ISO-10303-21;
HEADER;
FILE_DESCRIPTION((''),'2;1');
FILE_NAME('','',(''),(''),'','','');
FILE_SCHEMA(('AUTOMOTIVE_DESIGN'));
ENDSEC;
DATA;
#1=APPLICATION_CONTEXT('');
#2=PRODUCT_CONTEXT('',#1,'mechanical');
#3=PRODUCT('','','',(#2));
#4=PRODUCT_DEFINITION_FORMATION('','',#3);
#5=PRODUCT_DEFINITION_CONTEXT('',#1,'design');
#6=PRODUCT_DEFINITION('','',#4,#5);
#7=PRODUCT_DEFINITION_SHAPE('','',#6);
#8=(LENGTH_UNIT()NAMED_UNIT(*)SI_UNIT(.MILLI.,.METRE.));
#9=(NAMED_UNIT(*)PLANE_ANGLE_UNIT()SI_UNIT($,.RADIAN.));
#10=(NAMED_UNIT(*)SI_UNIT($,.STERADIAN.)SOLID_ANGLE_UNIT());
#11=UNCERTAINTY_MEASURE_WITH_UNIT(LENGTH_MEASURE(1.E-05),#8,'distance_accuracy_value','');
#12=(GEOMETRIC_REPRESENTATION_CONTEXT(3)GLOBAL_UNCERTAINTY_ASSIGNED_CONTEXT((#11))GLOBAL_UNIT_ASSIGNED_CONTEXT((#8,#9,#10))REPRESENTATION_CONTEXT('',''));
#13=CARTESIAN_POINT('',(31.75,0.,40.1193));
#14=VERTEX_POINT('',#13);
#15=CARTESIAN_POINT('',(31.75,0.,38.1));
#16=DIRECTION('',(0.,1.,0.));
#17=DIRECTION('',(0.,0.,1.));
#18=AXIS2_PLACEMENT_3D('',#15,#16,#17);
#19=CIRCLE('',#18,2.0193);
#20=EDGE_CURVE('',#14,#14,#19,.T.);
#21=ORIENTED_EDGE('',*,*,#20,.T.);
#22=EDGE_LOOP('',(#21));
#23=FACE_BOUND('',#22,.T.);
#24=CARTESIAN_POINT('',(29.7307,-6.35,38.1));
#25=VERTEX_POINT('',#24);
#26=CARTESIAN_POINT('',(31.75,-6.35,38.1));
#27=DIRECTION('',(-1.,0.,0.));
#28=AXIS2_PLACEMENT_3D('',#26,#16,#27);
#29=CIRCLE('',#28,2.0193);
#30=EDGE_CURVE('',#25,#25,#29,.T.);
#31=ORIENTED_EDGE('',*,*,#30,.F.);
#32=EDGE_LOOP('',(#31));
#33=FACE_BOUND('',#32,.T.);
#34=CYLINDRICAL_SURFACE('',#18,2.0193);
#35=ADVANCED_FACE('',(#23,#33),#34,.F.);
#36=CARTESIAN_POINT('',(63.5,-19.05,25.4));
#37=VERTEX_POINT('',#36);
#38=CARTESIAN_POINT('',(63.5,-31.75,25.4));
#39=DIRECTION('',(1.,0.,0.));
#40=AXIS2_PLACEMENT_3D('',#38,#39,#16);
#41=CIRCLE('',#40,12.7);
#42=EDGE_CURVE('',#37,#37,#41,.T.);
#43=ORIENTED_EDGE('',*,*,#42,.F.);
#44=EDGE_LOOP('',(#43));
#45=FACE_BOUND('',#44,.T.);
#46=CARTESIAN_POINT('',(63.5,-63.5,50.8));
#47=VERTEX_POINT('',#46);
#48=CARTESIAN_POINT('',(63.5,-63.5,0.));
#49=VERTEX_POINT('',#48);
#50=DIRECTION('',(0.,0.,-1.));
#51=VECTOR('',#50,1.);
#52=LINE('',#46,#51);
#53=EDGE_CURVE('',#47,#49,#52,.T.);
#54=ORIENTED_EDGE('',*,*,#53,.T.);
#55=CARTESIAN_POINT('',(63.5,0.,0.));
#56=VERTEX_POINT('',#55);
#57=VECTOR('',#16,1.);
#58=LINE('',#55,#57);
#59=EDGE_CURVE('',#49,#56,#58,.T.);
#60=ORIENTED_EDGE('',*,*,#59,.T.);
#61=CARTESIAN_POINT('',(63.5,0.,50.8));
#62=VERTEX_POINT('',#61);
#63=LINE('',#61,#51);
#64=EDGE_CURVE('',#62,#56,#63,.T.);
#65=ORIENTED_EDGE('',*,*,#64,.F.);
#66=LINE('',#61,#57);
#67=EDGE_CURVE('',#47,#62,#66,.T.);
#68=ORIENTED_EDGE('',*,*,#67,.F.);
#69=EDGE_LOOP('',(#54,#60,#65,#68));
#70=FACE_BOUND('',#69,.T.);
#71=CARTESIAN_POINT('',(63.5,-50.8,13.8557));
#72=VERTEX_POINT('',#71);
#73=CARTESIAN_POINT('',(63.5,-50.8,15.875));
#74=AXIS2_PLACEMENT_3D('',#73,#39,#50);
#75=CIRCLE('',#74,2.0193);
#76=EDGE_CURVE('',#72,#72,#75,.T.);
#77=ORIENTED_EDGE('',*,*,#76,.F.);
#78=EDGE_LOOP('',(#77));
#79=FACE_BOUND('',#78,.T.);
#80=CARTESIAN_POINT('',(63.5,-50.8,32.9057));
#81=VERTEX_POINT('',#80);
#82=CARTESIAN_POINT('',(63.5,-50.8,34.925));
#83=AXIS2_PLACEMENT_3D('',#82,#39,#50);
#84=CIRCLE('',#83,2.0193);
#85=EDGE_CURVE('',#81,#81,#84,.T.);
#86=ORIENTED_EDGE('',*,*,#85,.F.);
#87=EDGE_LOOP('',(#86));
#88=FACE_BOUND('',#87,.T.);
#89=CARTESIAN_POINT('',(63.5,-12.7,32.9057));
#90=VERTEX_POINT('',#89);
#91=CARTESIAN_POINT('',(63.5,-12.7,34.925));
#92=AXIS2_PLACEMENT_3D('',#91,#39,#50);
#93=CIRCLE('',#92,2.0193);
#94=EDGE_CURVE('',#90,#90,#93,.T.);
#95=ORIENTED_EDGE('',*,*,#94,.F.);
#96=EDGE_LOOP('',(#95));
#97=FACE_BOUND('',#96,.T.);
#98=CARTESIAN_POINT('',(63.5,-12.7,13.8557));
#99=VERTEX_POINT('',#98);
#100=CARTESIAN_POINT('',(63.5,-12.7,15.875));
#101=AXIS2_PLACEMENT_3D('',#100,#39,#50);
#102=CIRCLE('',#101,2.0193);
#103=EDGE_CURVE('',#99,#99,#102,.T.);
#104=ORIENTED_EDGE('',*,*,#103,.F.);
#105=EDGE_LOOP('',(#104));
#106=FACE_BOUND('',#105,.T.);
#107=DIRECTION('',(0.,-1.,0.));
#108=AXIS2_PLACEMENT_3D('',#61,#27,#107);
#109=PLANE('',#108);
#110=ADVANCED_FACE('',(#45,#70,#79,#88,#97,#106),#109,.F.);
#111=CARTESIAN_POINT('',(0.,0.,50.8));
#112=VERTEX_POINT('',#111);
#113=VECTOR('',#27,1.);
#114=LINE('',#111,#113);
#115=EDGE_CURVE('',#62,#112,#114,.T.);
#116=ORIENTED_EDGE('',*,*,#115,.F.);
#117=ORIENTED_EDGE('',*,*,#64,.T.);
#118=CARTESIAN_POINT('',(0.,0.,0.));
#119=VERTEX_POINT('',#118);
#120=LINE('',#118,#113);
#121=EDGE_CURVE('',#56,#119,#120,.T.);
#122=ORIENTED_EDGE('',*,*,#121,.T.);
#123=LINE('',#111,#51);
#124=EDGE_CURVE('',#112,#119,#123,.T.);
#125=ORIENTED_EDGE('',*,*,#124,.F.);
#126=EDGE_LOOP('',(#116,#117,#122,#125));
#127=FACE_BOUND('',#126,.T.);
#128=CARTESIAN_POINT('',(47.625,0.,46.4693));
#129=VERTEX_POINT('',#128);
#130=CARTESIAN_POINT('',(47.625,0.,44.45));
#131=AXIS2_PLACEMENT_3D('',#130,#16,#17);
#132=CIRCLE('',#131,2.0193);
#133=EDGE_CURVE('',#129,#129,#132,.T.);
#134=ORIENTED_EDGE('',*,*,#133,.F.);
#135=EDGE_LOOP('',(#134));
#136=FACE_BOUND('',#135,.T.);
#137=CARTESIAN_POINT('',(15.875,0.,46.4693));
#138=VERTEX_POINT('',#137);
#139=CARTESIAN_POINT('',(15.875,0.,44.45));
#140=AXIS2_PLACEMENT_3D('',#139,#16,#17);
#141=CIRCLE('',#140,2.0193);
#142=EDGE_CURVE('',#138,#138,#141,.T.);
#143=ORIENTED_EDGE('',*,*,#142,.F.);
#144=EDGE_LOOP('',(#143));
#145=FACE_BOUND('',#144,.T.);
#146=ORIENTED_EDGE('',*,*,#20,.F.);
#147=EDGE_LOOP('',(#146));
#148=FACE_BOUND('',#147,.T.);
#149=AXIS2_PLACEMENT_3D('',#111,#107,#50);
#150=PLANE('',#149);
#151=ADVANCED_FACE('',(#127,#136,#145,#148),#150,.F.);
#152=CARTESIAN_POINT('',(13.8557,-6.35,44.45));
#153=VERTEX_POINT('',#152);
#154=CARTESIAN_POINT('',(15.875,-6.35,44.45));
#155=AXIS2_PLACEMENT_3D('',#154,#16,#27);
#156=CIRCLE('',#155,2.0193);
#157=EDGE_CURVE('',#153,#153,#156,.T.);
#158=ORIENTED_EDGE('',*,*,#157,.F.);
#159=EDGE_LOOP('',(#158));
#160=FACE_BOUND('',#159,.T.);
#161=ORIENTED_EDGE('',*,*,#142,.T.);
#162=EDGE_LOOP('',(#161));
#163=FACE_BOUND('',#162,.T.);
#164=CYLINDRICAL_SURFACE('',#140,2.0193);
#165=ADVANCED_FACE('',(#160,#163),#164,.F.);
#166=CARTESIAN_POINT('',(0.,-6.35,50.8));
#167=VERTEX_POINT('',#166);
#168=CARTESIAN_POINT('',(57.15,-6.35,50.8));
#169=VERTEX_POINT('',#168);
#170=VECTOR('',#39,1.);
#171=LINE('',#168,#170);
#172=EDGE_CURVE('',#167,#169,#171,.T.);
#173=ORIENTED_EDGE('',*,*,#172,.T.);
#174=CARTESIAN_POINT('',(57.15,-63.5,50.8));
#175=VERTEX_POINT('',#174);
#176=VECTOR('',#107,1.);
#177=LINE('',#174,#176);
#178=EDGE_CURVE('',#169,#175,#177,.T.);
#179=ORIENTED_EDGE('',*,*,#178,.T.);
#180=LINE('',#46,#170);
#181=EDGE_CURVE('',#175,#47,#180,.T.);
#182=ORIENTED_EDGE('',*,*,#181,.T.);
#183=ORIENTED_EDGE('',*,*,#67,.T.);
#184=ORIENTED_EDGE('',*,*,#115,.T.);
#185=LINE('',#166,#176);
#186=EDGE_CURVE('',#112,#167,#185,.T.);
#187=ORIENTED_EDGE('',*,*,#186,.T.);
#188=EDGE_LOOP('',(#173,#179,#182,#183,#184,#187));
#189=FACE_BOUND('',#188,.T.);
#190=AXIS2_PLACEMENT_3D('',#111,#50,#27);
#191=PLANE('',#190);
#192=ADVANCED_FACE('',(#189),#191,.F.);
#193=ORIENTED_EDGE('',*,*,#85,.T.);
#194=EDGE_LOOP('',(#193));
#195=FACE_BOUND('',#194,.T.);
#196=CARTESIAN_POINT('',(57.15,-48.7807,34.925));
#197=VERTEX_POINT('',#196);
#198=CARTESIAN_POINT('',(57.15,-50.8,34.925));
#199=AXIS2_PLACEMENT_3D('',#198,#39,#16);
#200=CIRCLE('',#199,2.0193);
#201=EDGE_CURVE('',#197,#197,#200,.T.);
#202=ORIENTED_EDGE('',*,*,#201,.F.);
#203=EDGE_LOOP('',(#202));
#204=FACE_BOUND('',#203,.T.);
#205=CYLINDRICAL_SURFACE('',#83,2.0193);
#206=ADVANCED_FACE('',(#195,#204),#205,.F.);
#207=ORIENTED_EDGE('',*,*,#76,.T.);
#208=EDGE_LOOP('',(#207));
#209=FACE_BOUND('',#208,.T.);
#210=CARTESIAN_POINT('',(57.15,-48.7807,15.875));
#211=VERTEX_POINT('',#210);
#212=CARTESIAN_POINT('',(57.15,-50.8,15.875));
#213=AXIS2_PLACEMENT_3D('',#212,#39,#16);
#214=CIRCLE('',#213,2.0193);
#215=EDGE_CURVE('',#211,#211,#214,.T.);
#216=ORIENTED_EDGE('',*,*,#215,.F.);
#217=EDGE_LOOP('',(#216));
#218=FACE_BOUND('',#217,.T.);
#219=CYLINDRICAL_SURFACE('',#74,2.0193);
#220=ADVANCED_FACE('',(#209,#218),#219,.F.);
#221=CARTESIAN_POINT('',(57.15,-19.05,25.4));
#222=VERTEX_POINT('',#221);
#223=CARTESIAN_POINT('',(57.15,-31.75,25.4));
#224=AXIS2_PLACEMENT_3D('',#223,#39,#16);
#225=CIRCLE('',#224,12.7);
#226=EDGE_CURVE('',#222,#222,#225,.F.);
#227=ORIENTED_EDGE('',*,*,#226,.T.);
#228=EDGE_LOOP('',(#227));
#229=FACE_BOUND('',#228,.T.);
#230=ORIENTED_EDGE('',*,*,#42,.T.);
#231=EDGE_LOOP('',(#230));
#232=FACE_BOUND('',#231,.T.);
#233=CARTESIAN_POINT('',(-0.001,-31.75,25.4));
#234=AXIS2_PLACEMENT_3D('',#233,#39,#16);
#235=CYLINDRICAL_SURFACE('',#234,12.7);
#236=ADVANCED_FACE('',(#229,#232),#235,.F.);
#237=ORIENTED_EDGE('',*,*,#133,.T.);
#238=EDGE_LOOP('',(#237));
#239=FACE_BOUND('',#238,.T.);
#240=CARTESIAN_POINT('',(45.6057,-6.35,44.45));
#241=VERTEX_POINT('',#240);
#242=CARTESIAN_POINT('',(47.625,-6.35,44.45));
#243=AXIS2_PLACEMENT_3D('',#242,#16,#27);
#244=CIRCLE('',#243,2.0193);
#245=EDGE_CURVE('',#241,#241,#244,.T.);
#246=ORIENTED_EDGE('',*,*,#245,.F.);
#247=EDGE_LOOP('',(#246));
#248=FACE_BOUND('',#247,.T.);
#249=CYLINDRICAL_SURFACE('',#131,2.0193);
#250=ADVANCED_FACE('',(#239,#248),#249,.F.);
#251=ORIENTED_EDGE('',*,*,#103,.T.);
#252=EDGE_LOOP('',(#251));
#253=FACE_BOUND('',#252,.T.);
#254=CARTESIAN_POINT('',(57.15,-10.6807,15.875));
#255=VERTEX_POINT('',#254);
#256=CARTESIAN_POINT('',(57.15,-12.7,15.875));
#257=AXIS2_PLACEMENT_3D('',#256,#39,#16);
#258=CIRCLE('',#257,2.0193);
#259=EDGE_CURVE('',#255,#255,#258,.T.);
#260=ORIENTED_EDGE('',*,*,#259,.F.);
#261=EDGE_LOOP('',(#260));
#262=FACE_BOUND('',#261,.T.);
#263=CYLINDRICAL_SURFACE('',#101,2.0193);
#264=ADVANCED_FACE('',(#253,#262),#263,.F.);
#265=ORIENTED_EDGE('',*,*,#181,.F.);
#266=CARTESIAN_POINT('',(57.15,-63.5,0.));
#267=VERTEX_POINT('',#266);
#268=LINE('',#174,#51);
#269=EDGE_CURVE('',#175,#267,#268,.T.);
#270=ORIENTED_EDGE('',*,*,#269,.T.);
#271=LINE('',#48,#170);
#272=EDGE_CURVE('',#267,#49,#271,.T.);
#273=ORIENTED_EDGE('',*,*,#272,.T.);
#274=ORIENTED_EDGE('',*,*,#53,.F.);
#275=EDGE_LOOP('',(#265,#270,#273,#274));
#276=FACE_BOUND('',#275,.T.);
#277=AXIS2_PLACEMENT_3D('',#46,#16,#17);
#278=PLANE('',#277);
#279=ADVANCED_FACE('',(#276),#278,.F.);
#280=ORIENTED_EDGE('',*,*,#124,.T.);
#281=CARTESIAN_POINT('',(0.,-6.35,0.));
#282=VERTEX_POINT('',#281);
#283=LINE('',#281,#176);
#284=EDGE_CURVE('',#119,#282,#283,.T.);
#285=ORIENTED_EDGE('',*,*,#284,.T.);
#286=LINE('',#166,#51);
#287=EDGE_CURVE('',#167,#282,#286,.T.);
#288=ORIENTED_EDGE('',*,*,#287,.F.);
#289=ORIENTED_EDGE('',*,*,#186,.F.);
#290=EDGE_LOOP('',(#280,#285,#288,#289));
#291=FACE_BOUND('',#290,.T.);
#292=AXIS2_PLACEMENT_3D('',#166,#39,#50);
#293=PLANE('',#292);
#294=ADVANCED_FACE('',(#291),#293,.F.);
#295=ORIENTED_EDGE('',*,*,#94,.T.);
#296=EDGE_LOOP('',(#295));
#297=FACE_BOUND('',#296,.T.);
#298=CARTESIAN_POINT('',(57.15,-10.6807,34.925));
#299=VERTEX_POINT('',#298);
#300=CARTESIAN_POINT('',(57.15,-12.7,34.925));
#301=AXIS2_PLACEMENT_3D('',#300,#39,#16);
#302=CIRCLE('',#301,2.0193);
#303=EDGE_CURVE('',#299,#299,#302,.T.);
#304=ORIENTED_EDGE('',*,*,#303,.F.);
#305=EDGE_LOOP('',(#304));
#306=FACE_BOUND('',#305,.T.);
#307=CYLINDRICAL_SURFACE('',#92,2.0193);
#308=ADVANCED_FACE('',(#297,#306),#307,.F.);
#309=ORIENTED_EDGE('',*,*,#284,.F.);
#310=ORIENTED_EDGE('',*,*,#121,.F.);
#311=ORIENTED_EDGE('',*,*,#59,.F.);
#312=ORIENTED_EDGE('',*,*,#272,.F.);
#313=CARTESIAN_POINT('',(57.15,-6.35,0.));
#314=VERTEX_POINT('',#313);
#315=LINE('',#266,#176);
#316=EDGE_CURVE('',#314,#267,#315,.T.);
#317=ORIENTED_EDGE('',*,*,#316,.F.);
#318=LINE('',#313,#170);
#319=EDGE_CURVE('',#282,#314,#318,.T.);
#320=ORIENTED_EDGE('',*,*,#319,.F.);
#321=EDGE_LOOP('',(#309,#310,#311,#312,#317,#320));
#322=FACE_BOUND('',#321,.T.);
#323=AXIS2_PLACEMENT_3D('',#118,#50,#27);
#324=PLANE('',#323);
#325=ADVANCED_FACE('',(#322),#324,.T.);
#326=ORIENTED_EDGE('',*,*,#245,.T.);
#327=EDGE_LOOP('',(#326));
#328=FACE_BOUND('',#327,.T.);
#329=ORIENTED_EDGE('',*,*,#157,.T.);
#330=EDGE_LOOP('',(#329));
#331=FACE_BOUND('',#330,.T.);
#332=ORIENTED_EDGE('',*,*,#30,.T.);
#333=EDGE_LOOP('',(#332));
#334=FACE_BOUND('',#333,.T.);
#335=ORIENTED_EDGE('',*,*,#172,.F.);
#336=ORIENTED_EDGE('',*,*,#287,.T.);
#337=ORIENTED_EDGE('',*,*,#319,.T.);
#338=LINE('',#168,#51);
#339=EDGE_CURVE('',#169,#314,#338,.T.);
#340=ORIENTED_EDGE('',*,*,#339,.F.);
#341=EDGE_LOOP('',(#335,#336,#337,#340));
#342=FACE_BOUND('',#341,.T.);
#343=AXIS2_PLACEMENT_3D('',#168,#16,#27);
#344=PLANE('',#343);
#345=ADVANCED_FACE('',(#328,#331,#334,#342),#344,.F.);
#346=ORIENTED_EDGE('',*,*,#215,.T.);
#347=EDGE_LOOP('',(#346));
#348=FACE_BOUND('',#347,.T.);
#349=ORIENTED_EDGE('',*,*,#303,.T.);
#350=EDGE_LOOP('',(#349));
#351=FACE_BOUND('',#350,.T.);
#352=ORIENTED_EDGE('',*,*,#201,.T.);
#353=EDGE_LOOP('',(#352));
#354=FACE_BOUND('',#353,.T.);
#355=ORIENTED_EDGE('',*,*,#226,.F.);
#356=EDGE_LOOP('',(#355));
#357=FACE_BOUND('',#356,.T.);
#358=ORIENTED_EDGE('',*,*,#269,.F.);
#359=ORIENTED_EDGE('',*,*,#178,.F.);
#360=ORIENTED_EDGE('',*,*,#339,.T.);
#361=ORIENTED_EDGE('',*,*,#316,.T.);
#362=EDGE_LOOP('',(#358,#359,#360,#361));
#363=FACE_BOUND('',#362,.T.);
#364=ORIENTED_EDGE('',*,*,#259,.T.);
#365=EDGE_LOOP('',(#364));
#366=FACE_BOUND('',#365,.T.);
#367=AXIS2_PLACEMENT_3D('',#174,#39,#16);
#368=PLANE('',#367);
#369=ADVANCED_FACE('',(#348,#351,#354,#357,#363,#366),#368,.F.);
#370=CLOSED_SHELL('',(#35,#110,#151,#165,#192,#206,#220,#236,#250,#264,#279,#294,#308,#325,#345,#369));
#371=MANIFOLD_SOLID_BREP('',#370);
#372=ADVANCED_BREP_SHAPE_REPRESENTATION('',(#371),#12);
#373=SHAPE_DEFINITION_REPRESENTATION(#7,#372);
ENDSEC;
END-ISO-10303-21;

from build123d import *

# Parameters (mm, degrees)
BOSS_EXTRUDE1_DEPTH        = 50.8
CUT_EXTRUDE1_REACH         = 65.5
SKETCH2_R                  = 12.7
F_10_32_TAPPED_HOLE1_D     = 4.0386
F_10_32_TAPPED_HOLE1_DEPTH = 6.35
F_10_32_TAPPED_HOLE2_D     = 4.0386
F_10_32_TAPPED_HOLE2_DEPTH = 6.35


with BuildPart() as part:
    # Sketch1 → Boss-Extrude1 (new body)
    with BuildSketch(Plane.XY):
        Polygon((0, 0), (63.5, 0), (63.5, -63.5), (57.15, -63.5), (57.15, -6.35), (0, -6.35), align=None)
    extrude(amount=BOSS_EXTRUDE1_DEPTH)

    # Sketch2 → Cut-Extrude1 (cut, up to next)
    with BuildSketch(Plane(origin=(63.5, 0, 0), x_dir=(0, 0, -1), z_dir=(1, 0, 0)), mode=Mode.PRIVATE) as cut_extrude1_sk1:
        with Locations((-25.4, -31.75)):
            Circle(SKETCH2_R)
    cut_extrude1_tool1 = extrude(cut_extrude1_sk1.sketch, amount=-CUT_EXTRUDE1_REACH, mode=Mode.PRIVATE) & part.part
    add(cut_extrude1_tool1.solids().sort_by_distance((63.5, -31.75, 25.4))[0], mode=Mode.SUBTRACT)

    # #10-32 Tapped Hole1
    with Locations(Plane(origin=(63.5, 0, 0), x_dir=(0, 0, -1), z_dir=(1, 0, 0))):
        with Locations((-34.925, -50.8), (-15.875, -50.8), (-34.925, -12.7), (-15.875, -12.7)):
            Hole(F_10_32_TAPPED_HOLE1_D / 2, depth=F_10_32_TAPPED_HOLE1_DEPTH)

    # #10-32 Tapped Hole2
    with Locations(Plane(origin=(0, 0, 0), x_dir=(1, 0, 0), z_dir=(0, 1, 0))):
        with Locations((47.625, -44.45), (31.75, -38.1), (15.875, -44.45)):
            Hole(F_10_32_TAPPED_HOLE2_D / 2, depth=F_10_32_TAPPED_HOLE2_DEPTH)


solid = part.part
